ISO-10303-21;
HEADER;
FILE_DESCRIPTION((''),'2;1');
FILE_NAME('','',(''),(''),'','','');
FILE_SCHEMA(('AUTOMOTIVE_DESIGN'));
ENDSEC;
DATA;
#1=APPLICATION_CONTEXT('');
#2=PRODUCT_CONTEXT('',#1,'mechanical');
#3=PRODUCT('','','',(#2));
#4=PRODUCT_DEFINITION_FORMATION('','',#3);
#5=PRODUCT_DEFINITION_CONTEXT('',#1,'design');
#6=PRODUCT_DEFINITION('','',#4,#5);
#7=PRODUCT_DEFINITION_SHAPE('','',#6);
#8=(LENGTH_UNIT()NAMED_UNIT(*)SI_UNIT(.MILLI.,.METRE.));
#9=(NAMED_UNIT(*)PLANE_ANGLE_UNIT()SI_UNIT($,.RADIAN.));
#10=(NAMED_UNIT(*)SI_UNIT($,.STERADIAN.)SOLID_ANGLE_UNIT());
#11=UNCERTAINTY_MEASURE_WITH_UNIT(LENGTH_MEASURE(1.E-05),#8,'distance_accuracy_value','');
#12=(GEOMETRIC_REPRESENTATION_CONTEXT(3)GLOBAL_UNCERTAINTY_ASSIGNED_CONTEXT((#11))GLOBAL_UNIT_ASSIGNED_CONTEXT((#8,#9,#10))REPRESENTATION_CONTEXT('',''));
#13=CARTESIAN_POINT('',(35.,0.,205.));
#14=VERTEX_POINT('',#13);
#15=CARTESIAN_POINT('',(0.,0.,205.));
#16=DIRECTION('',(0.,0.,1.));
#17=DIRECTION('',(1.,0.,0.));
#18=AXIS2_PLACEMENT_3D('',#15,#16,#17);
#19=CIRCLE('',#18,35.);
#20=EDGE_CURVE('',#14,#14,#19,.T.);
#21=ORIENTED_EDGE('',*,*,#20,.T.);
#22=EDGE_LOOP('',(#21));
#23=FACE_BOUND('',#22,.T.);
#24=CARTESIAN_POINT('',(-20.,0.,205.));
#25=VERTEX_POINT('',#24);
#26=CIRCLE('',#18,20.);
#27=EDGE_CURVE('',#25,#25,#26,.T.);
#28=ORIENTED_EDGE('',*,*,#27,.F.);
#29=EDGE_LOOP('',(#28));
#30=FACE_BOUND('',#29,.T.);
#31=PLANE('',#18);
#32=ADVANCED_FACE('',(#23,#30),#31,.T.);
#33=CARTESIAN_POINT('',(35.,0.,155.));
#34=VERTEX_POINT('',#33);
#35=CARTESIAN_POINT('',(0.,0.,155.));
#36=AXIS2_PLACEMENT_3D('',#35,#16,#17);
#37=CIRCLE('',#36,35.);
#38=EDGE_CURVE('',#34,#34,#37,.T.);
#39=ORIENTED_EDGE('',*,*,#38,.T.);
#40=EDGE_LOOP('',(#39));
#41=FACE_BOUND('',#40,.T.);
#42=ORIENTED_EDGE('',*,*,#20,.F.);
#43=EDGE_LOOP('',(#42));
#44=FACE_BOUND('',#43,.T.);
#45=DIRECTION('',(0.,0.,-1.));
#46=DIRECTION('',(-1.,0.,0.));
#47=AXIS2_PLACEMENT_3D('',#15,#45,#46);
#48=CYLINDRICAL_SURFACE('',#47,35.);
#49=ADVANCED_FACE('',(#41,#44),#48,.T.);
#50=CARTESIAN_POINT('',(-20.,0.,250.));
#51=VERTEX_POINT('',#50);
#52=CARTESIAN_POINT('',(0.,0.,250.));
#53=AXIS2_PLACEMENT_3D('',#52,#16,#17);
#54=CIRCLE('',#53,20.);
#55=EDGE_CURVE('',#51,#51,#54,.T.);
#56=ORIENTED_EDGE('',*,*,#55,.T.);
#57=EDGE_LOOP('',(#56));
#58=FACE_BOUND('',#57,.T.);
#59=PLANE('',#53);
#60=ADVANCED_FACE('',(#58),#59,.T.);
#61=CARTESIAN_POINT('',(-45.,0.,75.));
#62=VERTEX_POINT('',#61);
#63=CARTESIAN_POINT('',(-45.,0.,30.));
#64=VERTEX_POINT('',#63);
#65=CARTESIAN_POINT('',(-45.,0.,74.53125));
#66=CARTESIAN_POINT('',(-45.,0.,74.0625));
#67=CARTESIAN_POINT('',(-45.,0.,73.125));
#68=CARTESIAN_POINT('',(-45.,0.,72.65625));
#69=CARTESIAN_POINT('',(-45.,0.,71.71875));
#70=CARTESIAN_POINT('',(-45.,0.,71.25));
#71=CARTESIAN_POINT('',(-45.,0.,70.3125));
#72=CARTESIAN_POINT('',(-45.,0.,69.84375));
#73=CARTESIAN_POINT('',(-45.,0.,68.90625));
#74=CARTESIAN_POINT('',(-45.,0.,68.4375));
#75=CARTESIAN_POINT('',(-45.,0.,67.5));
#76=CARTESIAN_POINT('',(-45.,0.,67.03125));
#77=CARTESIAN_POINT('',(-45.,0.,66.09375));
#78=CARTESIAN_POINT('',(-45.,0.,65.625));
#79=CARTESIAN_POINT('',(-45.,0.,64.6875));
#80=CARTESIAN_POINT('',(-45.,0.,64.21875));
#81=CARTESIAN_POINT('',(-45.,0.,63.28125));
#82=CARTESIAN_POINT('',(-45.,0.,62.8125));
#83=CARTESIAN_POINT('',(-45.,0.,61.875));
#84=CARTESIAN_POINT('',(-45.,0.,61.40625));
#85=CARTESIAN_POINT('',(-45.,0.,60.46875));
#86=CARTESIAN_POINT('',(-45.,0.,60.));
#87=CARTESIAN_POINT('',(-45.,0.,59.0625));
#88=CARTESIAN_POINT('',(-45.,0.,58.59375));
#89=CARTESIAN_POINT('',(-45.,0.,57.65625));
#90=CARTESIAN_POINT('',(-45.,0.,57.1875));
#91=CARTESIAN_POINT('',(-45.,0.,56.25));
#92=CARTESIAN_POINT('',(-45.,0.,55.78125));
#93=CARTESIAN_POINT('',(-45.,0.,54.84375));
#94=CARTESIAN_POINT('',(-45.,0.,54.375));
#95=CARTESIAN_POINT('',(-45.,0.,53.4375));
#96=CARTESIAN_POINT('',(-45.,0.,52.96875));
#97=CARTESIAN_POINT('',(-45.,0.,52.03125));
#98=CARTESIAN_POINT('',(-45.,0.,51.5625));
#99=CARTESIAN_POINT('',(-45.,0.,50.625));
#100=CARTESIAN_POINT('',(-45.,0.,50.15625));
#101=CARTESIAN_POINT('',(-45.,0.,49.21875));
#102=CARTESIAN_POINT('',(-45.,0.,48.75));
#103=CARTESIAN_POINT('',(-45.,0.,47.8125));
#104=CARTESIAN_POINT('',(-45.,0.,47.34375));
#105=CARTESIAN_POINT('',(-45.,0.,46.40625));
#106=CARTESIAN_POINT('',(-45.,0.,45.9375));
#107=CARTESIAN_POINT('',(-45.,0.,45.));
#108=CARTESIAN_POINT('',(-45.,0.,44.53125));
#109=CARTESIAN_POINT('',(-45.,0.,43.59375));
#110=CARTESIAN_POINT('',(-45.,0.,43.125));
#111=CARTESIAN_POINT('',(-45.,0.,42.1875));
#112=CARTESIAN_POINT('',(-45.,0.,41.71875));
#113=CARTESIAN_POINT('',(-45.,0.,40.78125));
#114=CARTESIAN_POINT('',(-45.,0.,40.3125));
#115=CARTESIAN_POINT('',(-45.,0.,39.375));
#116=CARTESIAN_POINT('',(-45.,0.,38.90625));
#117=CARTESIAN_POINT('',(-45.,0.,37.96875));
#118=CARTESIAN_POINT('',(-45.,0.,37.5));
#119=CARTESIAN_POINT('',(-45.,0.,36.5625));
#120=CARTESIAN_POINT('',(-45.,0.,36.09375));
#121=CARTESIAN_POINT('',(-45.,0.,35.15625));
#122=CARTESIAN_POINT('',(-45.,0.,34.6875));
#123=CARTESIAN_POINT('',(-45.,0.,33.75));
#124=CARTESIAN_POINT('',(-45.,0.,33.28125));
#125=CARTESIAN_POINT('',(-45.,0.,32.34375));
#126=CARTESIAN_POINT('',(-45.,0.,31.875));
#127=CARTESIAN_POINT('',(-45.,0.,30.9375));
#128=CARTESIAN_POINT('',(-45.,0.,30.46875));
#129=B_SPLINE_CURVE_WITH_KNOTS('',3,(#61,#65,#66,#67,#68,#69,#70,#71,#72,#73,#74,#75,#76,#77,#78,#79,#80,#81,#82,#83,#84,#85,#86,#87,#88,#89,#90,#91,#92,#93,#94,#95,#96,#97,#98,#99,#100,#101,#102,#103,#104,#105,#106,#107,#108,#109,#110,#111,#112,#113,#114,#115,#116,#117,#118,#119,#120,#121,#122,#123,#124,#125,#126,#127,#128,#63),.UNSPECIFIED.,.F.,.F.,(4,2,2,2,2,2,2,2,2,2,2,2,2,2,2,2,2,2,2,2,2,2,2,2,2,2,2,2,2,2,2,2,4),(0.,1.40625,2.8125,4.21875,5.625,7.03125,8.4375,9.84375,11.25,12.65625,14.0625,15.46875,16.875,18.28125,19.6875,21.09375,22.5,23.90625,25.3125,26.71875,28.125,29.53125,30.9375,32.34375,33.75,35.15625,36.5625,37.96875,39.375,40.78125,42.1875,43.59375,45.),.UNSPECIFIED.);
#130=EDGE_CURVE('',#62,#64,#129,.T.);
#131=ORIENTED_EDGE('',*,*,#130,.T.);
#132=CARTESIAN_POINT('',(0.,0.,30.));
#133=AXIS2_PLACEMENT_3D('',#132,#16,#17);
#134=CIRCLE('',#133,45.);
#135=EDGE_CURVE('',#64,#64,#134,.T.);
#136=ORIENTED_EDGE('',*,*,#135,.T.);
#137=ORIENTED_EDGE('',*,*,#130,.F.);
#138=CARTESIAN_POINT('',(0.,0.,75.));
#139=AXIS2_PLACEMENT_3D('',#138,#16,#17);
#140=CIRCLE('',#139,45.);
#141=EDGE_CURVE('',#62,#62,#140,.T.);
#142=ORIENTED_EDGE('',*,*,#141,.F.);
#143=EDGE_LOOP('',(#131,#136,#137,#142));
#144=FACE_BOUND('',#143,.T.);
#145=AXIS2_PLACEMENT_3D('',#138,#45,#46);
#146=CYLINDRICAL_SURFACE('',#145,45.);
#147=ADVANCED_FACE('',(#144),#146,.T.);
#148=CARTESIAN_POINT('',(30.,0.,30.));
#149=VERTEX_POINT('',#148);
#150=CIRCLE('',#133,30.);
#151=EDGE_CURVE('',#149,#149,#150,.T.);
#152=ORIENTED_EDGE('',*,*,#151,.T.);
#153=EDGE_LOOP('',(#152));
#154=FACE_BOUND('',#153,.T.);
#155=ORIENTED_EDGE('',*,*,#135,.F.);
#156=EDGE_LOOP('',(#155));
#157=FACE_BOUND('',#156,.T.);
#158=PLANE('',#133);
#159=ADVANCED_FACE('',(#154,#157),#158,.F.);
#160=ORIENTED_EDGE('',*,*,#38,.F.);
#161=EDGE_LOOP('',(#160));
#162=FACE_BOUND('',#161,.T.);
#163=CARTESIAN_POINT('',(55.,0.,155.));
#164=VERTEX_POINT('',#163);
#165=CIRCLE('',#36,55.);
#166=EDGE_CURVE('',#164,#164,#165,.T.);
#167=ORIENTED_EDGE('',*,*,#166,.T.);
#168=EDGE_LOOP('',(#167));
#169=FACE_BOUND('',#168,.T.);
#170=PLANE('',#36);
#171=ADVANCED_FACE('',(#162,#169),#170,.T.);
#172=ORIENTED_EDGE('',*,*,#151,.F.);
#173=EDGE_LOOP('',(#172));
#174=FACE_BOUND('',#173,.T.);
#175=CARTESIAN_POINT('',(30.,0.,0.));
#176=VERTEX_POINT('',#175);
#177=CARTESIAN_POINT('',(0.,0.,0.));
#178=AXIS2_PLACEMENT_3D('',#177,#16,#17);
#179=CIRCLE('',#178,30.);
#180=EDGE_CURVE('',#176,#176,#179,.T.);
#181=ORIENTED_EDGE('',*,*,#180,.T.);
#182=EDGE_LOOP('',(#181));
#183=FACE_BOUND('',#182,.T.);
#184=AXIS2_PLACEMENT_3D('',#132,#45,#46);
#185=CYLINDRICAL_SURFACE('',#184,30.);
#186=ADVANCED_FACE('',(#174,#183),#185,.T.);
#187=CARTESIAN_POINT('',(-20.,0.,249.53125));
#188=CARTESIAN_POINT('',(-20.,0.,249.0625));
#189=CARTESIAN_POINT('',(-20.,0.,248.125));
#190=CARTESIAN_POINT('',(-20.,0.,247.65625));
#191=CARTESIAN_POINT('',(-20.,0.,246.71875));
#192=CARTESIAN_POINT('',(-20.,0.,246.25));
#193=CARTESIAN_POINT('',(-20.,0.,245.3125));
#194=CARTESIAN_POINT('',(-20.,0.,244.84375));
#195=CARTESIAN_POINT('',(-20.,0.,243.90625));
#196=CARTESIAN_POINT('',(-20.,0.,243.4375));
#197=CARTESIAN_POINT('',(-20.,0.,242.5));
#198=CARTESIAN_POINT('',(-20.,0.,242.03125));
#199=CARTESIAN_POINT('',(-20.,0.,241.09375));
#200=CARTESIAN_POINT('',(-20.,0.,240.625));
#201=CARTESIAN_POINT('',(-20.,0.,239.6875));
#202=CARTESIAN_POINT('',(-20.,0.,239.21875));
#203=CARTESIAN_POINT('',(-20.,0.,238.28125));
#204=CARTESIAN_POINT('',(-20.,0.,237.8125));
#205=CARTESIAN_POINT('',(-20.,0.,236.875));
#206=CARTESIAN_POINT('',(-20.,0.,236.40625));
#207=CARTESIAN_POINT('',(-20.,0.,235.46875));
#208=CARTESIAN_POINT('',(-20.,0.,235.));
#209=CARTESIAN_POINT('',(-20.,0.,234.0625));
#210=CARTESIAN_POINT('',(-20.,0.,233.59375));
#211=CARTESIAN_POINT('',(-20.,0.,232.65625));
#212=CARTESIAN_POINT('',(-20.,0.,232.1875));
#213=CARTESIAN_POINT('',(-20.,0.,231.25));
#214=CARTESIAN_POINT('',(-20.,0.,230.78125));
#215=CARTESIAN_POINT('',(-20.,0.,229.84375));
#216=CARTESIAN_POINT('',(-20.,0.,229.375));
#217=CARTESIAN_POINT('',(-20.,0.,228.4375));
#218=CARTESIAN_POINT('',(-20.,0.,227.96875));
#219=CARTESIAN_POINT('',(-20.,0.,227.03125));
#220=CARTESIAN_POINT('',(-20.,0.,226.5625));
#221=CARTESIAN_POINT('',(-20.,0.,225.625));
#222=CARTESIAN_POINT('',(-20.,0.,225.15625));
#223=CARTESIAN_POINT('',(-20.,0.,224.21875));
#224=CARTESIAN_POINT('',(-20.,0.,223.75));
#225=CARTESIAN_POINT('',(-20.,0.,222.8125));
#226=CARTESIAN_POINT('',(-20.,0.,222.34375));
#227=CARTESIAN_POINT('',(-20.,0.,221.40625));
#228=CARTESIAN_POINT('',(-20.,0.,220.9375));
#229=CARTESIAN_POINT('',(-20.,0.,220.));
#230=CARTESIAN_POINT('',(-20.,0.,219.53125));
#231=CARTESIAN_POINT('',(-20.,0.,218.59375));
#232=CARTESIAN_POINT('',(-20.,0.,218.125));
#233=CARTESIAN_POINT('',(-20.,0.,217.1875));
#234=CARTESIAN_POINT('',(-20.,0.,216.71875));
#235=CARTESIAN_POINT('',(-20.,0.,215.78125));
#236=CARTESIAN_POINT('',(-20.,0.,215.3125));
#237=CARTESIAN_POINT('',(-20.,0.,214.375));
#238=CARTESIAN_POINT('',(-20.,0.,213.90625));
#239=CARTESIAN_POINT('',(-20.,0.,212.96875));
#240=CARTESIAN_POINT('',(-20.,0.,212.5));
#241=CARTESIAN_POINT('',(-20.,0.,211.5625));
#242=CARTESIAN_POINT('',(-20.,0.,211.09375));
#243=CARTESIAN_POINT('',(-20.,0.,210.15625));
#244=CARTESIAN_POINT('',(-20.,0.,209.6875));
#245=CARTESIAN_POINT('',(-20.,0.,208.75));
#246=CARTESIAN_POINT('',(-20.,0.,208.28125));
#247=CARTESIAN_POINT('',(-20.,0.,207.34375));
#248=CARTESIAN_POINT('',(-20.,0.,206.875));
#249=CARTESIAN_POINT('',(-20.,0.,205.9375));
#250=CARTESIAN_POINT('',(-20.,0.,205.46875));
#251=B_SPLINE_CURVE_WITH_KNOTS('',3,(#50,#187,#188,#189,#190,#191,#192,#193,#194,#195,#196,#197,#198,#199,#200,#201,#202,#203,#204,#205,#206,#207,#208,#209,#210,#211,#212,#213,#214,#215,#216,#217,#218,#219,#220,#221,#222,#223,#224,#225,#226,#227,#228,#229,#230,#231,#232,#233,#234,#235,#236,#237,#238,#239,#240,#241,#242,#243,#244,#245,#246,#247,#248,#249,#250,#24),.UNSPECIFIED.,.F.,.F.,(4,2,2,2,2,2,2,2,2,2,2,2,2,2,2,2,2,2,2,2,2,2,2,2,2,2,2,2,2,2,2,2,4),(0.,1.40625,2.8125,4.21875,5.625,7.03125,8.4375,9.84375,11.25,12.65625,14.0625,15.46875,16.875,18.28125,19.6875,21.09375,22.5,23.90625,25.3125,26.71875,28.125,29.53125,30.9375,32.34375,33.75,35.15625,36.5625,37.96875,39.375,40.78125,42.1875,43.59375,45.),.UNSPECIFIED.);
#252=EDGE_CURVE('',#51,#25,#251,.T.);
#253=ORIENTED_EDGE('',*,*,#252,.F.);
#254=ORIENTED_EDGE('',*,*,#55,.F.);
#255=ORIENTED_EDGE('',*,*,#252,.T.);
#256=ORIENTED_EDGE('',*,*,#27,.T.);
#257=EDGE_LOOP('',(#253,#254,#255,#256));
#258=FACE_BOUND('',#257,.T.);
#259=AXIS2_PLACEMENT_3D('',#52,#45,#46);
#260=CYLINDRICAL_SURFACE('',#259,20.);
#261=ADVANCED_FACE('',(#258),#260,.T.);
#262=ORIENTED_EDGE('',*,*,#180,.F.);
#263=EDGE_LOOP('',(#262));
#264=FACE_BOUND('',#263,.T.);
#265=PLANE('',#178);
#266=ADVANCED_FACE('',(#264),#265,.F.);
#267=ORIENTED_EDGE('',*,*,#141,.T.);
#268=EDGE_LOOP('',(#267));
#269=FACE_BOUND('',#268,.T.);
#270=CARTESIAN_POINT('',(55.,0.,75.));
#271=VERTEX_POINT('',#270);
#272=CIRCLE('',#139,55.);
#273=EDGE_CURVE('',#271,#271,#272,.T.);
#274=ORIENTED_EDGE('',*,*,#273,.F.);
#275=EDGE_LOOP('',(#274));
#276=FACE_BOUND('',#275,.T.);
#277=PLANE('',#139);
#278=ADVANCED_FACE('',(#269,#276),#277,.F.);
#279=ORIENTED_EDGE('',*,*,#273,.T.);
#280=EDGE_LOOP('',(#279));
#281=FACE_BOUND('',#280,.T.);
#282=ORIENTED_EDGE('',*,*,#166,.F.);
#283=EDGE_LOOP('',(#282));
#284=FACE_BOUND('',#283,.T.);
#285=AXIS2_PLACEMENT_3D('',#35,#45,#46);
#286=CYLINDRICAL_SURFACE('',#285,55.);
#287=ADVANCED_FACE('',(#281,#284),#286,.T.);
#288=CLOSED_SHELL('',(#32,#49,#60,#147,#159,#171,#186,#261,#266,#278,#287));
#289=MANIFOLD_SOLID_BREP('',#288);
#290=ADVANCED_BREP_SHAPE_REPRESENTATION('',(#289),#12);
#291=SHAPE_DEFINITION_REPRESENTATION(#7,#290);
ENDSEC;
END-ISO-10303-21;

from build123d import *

# Parameters (mm, degrees)
ESBO_O1_R                = 30
RESSALTO_EXTRUS_O1_DEPTH = 30
ESBO_O2_R                = 45
RESSALTO_EXTRUS_O3_DEPTH = 45
ESBO_O3_R                = 55
RESSALTO_EXTRUS_O4_DEPTH = 80
ESBO_O4_R                = 35
RESSALTO_EXTRUS_O5_DEPTH = 50
ESBO_O5_R                = 20
RESSALTO_EXTRUS_O6_DEPTH = 45


with BuildPart() as part:
    # Esboço1 → Ressalto-extrusão1 (new body)
    with BuildSketch(Plane.XY):
        Circle(ESBO_O1_R)
    extrude(amount=RESSALTO_EXTRUS_O1_DEPTH)

    # Esboço2 → Ressalto-extrusão3 (add)
    with BuildSketch(Plane.XY.offset(30)):
        with Locations(Location((0, 0, 0), (0, 0, 180))):
            Circle(ESBO_O2_R)
    extrude(amount=RESSALTO_EXTRUS_O3_DEPTH)

    # Esboço3 → Ressalto-extrusão4 (add)
    with BuildSketch(Plane.XY.offset(75)):
        Circle(ESBO_O3_R)
    extrude(amount=RESSALTO_EXTRUS_O4_DEPTH)

    # Esboço4 → Ressalto-extrusão5 (add)
    with BuildSketch(Plane.XY.offset(155)):
        Circle(ESBO_O4_R)
    extrude(amount=RESSALTO_EXTRUS_O5_DEPTH)

    # Esboço5 → Ressalto-extrusão6 (add)
    with BuildSketch(Plane.XY.offset(205)):
        with Locations(Location((0, 0, 0), (0, 0, 180))):
            Circle(ESBO_O5_R)
    extrude(amount=RESSALTO_EXTRUS_O6_DEPTH)


solid = part.part
